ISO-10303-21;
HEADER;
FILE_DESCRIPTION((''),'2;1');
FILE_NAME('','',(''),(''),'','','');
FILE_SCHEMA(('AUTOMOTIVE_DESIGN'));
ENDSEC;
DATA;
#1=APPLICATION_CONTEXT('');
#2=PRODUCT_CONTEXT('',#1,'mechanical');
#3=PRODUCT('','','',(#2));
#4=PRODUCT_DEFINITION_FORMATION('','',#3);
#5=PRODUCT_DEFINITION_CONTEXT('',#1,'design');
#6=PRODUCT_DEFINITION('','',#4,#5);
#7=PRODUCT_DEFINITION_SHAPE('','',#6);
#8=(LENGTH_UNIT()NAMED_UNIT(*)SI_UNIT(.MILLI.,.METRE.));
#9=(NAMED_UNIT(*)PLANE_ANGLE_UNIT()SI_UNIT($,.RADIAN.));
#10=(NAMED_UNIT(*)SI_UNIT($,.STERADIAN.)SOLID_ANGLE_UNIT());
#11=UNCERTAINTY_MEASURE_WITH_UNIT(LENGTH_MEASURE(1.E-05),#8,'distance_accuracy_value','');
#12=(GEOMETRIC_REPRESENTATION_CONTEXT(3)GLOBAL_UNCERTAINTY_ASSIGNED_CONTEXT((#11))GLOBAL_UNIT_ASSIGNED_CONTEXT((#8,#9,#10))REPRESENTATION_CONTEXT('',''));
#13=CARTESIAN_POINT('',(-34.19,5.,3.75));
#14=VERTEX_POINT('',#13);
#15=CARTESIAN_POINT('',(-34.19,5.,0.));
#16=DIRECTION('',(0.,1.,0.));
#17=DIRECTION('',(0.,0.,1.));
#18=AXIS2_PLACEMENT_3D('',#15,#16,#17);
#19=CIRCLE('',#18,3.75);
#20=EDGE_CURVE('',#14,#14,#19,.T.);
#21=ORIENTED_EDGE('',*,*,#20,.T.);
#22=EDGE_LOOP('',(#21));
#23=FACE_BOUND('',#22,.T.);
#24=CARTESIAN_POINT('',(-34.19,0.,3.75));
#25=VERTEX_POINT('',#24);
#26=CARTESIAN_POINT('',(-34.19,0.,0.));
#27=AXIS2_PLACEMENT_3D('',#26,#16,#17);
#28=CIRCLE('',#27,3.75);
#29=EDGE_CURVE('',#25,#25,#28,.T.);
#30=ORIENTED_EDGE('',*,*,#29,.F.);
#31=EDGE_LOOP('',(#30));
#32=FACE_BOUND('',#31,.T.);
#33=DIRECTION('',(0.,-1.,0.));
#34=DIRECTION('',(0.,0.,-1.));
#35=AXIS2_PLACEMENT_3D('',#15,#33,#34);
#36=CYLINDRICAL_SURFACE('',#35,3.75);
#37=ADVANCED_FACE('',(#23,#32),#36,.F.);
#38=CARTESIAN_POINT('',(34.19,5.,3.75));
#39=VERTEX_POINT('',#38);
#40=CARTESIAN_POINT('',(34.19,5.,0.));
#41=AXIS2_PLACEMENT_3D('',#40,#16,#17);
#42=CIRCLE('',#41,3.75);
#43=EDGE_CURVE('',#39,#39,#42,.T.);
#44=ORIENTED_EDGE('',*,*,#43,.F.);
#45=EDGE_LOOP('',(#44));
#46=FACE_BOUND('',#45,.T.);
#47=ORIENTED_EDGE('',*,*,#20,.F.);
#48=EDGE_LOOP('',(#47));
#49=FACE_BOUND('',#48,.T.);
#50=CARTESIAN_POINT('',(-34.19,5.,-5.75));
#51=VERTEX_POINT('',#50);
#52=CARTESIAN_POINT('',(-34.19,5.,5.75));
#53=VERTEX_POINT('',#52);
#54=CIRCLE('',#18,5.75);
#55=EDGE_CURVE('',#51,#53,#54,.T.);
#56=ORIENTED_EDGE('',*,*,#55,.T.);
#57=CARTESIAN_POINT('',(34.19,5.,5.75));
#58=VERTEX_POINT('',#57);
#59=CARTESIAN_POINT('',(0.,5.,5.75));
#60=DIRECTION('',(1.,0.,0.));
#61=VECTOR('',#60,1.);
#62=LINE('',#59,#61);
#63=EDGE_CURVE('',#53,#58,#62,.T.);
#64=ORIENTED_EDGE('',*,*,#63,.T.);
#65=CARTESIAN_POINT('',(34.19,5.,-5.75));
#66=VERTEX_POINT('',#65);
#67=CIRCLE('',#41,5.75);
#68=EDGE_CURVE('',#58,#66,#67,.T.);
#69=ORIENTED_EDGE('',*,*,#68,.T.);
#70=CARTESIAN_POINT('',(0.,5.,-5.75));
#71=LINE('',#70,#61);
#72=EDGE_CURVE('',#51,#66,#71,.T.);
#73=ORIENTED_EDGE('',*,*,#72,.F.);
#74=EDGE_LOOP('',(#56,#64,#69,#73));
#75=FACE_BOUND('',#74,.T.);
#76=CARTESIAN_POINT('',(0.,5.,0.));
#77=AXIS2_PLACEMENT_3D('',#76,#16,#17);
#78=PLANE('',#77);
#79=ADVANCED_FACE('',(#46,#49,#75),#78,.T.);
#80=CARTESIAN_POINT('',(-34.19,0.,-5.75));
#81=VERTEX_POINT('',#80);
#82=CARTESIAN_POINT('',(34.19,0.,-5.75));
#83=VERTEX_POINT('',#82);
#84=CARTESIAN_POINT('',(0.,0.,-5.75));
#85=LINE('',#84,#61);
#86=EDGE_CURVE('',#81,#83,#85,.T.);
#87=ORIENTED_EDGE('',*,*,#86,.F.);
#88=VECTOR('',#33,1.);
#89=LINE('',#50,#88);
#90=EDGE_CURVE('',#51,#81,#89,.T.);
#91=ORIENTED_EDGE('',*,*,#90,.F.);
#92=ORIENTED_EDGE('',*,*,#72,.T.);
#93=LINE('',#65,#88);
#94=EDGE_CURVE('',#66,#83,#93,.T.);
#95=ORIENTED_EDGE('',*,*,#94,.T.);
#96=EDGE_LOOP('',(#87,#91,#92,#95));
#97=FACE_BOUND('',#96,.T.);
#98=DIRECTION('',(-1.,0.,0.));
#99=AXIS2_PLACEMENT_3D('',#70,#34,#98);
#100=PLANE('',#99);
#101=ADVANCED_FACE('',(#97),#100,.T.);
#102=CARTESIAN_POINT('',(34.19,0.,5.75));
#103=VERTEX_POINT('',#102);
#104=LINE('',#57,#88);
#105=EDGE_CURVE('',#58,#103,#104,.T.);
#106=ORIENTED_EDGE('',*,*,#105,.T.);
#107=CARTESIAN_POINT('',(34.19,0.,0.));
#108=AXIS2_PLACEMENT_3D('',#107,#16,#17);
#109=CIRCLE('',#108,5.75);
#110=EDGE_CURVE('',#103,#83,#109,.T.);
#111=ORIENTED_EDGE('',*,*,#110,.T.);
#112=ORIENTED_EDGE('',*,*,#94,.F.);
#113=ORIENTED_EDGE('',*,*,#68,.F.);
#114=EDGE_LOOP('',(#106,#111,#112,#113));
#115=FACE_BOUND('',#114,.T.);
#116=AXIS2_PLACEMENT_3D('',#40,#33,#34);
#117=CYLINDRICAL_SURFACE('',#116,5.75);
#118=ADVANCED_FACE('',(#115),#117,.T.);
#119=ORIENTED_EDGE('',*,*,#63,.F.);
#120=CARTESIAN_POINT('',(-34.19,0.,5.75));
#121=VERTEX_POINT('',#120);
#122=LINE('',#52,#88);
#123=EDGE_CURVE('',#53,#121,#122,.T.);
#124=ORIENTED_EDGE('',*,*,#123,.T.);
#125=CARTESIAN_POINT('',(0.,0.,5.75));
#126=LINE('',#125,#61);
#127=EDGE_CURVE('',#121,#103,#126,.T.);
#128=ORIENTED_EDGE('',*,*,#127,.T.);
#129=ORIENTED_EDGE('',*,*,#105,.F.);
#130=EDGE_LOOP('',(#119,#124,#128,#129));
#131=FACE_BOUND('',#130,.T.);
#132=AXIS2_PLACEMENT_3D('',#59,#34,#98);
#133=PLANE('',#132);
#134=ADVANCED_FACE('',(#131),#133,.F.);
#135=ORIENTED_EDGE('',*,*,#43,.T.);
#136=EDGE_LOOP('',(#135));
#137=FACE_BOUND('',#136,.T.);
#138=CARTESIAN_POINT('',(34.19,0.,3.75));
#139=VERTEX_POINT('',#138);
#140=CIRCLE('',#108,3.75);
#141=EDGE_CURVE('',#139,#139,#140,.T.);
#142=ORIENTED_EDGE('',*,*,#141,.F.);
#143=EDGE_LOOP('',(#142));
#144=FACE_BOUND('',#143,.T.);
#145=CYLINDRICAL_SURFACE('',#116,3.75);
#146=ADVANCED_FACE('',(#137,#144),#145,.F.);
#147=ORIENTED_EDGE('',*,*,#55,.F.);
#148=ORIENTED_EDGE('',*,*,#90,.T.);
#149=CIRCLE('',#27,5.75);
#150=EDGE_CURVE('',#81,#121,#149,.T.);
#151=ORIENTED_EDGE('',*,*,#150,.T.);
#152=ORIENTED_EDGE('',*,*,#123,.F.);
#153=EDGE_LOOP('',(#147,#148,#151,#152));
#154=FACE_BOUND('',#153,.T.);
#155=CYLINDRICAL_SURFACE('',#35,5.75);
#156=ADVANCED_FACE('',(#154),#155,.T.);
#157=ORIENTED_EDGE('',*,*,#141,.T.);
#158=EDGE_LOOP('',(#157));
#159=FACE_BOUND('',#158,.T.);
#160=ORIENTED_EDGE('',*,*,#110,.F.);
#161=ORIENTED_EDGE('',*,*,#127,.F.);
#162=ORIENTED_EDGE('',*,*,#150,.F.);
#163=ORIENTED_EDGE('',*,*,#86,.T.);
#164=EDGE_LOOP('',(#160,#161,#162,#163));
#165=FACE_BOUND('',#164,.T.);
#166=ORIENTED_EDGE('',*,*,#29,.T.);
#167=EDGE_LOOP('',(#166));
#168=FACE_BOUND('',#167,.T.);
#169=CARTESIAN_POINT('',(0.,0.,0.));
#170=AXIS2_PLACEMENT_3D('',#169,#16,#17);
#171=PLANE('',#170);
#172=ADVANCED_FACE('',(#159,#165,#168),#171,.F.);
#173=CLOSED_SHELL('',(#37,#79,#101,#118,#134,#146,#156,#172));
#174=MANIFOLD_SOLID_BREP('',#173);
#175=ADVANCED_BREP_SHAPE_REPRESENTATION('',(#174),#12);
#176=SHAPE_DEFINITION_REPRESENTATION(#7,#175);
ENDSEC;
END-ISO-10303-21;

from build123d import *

# Parameters (mm, degrees)
SKETCH1_R           = 3.75
BOSS_EXTRUDE1_DEPTH = 5


with BuildPart() as part:
    # Sketch1 → Boss-Extrude1 (new body)
    with BuildSketch(Plane(origin=(0, 0, 0), x_dir=(1, 0, 0), z_dir=(0, 1, 0))):
        with BuildLine():
            Line((-34.19, -5.75), (34.19, -5.75))
            ThreePointArc((34.19, -5.75), (39.94, 0), (34.19, 5.75))
            Line((34.19, 5.75), (-34.19, 5.75))
            ThreePointArc((-34.19, 5.75), (-39.94, 0), (-34.19, -5.75))
        make_face()
        with Locations(Location((34.19, 0, 0), (0, 0, 270))):
            Circle(SKETCH1_R, mode=Mode.SUBTRACT)
        with Locations(Location((-34.19, 0, 0), (0, 0, 270))):
            Circle(SKETCH1_R, mode=Mode.SUBTRACT)
    extrude(amount=BOSS_EXTRUDE1_DEPTH)


solid = part.part
